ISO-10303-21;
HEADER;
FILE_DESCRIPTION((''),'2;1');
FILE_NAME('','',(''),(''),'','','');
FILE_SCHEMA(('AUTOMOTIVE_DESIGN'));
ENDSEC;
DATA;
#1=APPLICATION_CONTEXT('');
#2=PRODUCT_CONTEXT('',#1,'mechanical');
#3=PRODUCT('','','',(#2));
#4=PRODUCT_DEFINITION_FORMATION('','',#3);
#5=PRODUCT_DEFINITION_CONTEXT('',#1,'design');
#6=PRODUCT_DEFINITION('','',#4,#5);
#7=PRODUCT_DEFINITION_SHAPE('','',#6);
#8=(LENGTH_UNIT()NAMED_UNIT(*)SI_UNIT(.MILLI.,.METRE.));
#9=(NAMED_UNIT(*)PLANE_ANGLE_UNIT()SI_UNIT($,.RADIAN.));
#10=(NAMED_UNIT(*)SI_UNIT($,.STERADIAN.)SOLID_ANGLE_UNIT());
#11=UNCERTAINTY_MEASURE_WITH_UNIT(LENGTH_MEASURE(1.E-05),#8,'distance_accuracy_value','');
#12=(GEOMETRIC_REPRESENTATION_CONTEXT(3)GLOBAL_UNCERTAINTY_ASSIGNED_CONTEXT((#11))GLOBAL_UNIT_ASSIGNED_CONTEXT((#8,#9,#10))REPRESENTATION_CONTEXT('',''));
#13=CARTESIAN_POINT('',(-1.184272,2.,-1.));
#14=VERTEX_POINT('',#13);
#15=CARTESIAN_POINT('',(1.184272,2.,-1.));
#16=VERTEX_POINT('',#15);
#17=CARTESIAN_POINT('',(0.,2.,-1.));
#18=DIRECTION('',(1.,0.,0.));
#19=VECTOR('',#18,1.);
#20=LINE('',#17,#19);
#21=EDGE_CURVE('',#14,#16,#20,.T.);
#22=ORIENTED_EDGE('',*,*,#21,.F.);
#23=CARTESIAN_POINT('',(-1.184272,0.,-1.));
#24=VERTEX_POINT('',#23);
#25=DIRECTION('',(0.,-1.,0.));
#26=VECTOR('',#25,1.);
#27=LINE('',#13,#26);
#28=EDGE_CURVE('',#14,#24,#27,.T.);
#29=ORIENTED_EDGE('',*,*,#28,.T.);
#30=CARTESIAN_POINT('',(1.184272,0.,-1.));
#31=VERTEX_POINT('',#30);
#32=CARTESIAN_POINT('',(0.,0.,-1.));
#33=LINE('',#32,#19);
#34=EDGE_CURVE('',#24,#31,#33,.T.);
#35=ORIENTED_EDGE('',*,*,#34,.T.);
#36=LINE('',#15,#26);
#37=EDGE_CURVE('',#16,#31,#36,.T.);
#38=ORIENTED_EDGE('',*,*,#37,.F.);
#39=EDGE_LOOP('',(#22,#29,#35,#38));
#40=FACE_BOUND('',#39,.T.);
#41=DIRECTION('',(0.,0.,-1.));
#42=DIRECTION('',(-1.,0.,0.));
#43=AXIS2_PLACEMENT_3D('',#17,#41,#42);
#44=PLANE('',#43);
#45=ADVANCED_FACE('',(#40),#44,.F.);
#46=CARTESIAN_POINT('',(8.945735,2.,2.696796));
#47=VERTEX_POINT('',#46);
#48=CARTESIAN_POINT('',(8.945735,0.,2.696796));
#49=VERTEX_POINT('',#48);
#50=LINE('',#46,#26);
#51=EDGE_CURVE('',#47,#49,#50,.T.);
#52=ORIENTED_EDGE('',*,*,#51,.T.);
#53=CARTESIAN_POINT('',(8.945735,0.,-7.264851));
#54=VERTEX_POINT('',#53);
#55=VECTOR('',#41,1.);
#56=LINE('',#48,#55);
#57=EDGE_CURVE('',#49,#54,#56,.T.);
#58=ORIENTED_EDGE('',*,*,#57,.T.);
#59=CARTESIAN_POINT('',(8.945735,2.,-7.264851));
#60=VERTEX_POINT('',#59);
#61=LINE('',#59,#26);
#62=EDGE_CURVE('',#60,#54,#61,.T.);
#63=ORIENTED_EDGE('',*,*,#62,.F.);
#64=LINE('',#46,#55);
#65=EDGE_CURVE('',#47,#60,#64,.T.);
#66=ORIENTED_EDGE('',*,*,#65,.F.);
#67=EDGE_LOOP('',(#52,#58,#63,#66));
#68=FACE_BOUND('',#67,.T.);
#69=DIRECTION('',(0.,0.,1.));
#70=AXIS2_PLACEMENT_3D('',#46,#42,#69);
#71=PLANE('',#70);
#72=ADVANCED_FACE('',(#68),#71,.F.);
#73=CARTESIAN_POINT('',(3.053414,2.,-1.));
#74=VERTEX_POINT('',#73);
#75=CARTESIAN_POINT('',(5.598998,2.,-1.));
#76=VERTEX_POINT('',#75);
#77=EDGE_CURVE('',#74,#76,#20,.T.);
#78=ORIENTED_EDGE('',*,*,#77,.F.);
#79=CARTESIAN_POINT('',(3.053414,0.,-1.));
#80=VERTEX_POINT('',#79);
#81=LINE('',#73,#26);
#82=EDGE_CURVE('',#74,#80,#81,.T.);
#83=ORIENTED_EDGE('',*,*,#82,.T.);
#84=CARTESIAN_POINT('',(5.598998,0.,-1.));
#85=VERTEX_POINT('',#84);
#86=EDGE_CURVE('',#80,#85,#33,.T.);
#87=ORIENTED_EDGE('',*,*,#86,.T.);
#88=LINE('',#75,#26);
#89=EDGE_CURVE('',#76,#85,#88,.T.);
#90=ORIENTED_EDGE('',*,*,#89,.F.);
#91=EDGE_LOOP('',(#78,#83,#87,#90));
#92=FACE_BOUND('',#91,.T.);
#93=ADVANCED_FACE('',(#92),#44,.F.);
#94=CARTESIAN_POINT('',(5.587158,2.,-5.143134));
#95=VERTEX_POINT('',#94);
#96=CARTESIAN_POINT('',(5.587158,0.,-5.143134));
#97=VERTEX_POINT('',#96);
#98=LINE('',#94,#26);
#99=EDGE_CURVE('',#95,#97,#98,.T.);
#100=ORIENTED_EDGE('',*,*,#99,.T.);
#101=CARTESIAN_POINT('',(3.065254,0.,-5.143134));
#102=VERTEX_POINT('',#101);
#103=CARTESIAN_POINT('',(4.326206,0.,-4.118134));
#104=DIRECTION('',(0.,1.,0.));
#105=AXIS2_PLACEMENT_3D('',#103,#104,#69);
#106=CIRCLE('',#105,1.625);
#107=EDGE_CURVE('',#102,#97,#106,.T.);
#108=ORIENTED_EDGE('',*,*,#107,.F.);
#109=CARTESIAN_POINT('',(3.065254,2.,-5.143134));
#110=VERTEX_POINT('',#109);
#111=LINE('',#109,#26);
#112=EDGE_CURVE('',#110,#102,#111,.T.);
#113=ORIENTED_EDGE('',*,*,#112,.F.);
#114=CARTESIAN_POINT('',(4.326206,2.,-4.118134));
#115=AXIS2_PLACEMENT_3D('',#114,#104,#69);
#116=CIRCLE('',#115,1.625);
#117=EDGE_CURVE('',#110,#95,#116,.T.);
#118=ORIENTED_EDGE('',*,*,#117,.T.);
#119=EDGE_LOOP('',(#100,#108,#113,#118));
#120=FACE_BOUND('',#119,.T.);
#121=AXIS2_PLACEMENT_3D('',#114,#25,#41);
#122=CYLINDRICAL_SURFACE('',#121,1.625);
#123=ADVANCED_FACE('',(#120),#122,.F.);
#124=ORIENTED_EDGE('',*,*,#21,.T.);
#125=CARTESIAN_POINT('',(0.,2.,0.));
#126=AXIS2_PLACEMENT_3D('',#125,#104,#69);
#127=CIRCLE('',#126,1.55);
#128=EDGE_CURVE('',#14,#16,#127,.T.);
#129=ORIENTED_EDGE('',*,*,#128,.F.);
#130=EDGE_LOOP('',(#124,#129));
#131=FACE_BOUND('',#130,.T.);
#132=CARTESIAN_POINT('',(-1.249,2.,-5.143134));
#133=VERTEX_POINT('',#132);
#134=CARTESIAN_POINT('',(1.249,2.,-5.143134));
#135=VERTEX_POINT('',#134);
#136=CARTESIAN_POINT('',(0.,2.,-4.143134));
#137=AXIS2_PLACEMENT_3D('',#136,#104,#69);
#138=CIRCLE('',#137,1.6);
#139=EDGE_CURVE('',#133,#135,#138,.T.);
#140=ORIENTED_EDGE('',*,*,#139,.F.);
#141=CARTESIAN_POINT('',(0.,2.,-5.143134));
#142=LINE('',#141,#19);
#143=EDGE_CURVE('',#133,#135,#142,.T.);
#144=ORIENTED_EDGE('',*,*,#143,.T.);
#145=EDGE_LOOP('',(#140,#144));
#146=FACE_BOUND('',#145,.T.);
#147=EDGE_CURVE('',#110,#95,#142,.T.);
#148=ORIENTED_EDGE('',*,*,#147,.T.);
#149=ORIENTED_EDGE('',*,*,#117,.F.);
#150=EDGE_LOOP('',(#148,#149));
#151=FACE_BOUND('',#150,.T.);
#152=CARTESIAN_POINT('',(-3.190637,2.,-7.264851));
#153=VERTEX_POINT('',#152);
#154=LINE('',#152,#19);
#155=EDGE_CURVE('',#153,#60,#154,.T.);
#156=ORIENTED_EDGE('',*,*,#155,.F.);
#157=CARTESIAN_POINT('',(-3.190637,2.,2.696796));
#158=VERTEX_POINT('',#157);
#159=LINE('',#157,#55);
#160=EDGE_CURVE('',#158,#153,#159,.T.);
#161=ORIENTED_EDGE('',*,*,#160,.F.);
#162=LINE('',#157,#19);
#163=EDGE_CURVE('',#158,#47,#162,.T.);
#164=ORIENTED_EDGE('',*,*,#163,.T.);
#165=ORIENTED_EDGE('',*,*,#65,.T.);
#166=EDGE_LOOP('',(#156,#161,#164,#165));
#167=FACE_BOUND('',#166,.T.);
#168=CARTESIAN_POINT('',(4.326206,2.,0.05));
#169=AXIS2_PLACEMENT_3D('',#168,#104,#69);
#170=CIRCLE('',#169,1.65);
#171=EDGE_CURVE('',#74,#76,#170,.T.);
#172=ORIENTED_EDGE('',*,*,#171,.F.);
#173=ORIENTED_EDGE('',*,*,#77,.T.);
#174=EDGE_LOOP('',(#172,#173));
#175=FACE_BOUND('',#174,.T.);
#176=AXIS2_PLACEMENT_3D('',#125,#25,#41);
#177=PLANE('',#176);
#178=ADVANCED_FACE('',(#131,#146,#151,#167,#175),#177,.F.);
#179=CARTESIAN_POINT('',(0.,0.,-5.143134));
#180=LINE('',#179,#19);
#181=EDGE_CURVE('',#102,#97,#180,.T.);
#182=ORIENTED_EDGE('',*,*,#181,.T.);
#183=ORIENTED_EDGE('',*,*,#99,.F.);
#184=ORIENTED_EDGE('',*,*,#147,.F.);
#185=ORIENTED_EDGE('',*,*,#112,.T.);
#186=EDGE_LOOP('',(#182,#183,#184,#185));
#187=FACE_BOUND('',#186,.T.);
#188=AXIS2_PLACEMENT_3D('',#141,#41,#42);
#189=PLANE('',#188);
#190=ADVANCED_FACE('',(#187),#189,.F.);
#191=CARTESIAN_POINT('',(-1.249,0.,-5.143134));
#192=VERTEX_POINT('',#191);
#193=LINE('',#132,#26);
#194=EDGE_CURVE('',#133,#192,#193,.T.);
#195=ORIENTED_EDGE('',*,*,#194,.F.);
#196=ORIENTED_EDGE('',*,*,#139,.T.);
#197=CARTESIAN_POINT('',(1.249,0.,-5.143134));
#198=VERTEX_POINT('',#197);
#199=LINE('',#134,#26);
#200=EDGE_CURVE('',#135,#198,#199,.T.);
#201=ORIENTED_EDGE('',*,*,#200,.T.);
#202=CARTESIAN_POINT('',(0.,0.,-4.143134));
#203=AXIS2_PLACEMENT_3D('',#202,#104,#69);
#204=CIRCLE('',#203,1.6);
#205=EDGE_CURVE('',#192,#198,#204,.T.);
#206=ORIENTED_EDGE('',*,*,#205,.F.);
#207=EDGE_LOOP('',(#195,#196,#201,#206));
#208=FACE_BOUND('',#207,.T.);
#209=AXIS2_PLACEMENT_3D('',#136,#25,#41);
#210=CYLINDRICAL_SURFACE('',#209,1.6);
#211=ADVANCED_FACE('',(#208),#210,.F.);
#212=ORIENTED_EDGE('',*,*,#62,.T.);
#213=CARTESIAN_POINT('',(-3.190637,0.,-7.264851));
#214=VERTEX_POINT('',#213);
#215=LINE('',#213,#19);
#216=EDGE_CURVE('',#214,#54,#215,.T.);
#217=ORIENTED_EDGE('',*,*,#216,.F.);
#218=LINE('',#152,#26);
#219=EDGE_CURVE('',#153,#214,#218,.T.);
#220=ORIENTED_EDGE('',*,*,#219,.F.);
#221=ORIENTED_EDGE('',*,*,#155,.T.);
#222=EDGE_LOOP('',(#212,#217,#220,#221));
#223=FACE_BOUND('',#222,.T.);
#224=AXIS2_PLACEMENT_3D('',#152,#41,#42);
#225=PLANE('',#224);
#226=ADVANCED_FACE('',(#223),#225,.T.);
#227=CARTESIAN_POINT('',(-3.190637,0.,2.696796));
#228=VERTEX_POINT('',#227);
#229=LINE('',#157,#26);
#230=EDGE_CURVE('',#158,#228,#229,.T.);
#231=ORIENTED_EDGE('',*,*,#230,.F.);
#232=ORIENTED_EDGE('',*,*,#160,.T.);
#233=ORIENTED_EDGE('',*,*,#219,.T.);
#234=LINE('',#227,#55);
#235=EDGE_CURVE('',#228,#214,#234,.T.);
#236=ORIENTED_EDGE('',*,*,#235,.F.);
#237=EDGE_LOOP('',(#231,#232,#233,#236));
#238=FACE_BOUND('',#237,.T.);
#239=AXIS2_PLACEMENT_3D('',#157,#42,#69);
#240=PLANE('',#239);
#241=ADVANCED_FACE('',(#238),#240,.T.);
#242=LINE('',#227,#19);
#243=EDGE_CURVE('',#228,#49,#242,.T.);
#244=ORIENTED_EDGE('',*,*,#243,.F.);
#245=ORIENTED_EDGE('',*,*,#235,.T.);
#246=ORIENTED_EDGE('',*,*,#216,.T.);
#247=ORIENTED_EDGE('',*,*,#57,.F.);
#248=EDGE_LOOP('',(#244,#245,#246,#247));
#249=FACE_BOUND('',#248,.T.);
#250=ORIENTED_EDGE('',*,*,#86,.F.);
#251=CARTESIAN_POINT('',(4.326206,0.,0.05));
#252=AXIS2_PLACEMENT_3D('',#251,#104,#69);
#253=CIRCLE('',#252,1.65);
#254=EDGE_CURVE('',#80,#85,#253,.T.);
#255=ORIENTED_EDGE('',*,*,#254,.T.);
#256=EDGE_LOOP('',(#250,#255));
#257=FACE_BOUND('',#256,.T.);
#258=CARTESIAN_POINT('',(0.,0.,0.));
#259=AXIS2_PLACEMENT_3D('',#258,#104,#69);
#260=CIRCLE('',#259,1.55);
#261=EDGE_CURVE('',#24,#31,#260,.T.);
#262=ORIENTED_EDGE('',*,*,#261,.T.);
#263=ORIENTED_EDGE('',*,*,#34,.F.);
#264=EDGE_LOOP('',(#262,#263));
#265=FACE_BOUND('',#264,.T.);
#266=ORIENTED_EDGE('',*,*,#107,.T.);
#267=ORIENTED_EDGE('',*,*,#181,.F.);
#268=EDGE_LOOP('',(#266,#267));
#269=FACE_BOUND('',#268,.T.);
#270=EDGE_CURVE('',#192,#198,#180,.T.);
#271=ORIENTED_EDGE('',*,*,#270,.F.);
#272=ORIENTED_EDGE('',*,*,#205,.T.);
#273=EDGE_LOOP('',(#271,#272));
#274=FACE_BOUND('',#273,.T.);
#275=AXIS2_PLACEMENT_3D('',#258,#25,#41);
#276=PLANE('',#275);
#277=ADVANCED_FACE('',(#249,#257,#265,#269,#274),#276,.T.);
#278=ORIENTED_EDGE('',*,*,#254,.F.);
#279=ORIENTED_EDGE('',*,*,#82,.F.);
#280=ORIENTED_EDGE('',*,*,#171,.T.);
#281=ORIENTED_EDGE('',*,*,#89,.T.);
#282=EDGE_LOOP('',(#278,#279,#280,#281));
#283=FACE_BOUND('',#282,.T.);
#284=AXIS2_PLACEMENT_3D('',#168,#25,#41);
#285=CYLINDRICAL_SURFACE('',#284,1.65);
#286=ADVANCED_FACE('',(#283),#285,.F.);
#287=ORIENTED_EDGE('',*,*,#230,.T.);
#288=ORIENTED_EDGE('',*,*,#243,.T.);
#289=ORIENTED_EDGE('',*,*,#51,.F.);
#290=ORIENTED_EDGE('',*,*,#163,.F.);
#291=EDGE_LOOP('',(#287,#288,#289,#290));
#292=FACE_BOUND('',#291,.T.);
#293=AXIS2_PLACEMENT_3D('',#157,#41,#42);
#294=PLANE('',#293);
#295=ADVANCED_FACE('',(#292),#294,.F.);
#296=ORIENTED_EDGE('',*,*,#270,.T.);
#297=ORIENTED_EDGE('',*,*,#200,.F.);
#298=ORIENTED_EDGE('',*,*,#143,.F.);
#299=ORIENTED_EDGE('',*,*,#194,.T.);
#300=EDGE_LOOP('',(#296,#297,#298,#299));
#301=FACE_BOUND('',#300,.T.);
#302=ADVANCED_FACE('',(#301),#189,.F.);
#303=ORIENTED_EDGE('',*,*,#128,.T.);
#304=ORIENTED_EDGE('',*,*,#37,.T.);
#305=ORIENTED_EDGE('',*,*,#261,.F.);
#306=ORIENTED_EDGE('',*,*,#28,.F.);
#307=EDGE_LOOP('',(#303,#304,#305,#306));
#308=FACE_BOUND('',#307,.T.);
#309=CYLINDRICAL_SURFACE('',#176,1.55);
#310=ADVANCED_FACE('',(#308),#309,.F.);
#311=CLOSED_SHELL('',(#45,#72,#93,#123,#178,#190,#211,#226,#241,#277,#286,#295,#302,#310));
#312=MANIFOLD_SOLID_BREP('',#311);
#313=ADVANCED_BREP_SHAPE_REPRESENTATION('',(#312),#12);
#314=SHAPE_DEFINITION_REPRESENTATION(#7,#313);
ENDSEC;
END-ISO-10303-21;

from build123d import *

# Parameters (mm, degrees)
SKETCH1_W           = 12.136372274
SKETCH1_H           = 9.961646607
BOSS_EXTRUDE2_DEPTH = 2


with BuildPart() as part:
    # Sketch1 → Boss-Extrude2 (new body)
    with BuildSketch(Plane(origin=(0, 0, 0), x_dir=(1, 0, 0), z_dir=(0, 1, 0))):
        with Locations((2.877549337, 2.284027555)):
            Rectangle(SKETCH1_W, SKETCH1_H)
        with BuildLine():
            Line((-1.184271928, 1), (1.184271928, 1))
            ThreePointArc((1.184271928, 1), (0, -1.55), (-1.184271928, 1))
        make_face(mode=Mode.SUBTRACT)
        with BuildLine():
            Line((3.05341377, 1), (5.598998182, 1))
            ThreePointArc((5.598998182, 1), (4.326205976, -1.7), (3.05341377, 1))
        make_face(mode=Mode.SUBTRACT)
        with BuildLine():
            Line((-1.2489996, 5.143134086), (1.2489996, 5.143134086))
            ThreePointArc((1.2489996, 5.143134086), (0, 2.543134086), (-1.2489996, 5.143134086))
        make_face(mode=Mode.SUBTRACT)
        with BuildLine():
            Line((3.065253955, 5.143134086), (5.587157997, 5.143134086))
            ThreePointArc((5.587157997, 5.143134086), (4.326205976, 2.493134086), (3.065253955, 5.143134086))
        make_face(mode=Mode.SUBTRACT)
    extrude(amount=BOSS_EXTRUDE2_DEPTH)


solid = part.part
